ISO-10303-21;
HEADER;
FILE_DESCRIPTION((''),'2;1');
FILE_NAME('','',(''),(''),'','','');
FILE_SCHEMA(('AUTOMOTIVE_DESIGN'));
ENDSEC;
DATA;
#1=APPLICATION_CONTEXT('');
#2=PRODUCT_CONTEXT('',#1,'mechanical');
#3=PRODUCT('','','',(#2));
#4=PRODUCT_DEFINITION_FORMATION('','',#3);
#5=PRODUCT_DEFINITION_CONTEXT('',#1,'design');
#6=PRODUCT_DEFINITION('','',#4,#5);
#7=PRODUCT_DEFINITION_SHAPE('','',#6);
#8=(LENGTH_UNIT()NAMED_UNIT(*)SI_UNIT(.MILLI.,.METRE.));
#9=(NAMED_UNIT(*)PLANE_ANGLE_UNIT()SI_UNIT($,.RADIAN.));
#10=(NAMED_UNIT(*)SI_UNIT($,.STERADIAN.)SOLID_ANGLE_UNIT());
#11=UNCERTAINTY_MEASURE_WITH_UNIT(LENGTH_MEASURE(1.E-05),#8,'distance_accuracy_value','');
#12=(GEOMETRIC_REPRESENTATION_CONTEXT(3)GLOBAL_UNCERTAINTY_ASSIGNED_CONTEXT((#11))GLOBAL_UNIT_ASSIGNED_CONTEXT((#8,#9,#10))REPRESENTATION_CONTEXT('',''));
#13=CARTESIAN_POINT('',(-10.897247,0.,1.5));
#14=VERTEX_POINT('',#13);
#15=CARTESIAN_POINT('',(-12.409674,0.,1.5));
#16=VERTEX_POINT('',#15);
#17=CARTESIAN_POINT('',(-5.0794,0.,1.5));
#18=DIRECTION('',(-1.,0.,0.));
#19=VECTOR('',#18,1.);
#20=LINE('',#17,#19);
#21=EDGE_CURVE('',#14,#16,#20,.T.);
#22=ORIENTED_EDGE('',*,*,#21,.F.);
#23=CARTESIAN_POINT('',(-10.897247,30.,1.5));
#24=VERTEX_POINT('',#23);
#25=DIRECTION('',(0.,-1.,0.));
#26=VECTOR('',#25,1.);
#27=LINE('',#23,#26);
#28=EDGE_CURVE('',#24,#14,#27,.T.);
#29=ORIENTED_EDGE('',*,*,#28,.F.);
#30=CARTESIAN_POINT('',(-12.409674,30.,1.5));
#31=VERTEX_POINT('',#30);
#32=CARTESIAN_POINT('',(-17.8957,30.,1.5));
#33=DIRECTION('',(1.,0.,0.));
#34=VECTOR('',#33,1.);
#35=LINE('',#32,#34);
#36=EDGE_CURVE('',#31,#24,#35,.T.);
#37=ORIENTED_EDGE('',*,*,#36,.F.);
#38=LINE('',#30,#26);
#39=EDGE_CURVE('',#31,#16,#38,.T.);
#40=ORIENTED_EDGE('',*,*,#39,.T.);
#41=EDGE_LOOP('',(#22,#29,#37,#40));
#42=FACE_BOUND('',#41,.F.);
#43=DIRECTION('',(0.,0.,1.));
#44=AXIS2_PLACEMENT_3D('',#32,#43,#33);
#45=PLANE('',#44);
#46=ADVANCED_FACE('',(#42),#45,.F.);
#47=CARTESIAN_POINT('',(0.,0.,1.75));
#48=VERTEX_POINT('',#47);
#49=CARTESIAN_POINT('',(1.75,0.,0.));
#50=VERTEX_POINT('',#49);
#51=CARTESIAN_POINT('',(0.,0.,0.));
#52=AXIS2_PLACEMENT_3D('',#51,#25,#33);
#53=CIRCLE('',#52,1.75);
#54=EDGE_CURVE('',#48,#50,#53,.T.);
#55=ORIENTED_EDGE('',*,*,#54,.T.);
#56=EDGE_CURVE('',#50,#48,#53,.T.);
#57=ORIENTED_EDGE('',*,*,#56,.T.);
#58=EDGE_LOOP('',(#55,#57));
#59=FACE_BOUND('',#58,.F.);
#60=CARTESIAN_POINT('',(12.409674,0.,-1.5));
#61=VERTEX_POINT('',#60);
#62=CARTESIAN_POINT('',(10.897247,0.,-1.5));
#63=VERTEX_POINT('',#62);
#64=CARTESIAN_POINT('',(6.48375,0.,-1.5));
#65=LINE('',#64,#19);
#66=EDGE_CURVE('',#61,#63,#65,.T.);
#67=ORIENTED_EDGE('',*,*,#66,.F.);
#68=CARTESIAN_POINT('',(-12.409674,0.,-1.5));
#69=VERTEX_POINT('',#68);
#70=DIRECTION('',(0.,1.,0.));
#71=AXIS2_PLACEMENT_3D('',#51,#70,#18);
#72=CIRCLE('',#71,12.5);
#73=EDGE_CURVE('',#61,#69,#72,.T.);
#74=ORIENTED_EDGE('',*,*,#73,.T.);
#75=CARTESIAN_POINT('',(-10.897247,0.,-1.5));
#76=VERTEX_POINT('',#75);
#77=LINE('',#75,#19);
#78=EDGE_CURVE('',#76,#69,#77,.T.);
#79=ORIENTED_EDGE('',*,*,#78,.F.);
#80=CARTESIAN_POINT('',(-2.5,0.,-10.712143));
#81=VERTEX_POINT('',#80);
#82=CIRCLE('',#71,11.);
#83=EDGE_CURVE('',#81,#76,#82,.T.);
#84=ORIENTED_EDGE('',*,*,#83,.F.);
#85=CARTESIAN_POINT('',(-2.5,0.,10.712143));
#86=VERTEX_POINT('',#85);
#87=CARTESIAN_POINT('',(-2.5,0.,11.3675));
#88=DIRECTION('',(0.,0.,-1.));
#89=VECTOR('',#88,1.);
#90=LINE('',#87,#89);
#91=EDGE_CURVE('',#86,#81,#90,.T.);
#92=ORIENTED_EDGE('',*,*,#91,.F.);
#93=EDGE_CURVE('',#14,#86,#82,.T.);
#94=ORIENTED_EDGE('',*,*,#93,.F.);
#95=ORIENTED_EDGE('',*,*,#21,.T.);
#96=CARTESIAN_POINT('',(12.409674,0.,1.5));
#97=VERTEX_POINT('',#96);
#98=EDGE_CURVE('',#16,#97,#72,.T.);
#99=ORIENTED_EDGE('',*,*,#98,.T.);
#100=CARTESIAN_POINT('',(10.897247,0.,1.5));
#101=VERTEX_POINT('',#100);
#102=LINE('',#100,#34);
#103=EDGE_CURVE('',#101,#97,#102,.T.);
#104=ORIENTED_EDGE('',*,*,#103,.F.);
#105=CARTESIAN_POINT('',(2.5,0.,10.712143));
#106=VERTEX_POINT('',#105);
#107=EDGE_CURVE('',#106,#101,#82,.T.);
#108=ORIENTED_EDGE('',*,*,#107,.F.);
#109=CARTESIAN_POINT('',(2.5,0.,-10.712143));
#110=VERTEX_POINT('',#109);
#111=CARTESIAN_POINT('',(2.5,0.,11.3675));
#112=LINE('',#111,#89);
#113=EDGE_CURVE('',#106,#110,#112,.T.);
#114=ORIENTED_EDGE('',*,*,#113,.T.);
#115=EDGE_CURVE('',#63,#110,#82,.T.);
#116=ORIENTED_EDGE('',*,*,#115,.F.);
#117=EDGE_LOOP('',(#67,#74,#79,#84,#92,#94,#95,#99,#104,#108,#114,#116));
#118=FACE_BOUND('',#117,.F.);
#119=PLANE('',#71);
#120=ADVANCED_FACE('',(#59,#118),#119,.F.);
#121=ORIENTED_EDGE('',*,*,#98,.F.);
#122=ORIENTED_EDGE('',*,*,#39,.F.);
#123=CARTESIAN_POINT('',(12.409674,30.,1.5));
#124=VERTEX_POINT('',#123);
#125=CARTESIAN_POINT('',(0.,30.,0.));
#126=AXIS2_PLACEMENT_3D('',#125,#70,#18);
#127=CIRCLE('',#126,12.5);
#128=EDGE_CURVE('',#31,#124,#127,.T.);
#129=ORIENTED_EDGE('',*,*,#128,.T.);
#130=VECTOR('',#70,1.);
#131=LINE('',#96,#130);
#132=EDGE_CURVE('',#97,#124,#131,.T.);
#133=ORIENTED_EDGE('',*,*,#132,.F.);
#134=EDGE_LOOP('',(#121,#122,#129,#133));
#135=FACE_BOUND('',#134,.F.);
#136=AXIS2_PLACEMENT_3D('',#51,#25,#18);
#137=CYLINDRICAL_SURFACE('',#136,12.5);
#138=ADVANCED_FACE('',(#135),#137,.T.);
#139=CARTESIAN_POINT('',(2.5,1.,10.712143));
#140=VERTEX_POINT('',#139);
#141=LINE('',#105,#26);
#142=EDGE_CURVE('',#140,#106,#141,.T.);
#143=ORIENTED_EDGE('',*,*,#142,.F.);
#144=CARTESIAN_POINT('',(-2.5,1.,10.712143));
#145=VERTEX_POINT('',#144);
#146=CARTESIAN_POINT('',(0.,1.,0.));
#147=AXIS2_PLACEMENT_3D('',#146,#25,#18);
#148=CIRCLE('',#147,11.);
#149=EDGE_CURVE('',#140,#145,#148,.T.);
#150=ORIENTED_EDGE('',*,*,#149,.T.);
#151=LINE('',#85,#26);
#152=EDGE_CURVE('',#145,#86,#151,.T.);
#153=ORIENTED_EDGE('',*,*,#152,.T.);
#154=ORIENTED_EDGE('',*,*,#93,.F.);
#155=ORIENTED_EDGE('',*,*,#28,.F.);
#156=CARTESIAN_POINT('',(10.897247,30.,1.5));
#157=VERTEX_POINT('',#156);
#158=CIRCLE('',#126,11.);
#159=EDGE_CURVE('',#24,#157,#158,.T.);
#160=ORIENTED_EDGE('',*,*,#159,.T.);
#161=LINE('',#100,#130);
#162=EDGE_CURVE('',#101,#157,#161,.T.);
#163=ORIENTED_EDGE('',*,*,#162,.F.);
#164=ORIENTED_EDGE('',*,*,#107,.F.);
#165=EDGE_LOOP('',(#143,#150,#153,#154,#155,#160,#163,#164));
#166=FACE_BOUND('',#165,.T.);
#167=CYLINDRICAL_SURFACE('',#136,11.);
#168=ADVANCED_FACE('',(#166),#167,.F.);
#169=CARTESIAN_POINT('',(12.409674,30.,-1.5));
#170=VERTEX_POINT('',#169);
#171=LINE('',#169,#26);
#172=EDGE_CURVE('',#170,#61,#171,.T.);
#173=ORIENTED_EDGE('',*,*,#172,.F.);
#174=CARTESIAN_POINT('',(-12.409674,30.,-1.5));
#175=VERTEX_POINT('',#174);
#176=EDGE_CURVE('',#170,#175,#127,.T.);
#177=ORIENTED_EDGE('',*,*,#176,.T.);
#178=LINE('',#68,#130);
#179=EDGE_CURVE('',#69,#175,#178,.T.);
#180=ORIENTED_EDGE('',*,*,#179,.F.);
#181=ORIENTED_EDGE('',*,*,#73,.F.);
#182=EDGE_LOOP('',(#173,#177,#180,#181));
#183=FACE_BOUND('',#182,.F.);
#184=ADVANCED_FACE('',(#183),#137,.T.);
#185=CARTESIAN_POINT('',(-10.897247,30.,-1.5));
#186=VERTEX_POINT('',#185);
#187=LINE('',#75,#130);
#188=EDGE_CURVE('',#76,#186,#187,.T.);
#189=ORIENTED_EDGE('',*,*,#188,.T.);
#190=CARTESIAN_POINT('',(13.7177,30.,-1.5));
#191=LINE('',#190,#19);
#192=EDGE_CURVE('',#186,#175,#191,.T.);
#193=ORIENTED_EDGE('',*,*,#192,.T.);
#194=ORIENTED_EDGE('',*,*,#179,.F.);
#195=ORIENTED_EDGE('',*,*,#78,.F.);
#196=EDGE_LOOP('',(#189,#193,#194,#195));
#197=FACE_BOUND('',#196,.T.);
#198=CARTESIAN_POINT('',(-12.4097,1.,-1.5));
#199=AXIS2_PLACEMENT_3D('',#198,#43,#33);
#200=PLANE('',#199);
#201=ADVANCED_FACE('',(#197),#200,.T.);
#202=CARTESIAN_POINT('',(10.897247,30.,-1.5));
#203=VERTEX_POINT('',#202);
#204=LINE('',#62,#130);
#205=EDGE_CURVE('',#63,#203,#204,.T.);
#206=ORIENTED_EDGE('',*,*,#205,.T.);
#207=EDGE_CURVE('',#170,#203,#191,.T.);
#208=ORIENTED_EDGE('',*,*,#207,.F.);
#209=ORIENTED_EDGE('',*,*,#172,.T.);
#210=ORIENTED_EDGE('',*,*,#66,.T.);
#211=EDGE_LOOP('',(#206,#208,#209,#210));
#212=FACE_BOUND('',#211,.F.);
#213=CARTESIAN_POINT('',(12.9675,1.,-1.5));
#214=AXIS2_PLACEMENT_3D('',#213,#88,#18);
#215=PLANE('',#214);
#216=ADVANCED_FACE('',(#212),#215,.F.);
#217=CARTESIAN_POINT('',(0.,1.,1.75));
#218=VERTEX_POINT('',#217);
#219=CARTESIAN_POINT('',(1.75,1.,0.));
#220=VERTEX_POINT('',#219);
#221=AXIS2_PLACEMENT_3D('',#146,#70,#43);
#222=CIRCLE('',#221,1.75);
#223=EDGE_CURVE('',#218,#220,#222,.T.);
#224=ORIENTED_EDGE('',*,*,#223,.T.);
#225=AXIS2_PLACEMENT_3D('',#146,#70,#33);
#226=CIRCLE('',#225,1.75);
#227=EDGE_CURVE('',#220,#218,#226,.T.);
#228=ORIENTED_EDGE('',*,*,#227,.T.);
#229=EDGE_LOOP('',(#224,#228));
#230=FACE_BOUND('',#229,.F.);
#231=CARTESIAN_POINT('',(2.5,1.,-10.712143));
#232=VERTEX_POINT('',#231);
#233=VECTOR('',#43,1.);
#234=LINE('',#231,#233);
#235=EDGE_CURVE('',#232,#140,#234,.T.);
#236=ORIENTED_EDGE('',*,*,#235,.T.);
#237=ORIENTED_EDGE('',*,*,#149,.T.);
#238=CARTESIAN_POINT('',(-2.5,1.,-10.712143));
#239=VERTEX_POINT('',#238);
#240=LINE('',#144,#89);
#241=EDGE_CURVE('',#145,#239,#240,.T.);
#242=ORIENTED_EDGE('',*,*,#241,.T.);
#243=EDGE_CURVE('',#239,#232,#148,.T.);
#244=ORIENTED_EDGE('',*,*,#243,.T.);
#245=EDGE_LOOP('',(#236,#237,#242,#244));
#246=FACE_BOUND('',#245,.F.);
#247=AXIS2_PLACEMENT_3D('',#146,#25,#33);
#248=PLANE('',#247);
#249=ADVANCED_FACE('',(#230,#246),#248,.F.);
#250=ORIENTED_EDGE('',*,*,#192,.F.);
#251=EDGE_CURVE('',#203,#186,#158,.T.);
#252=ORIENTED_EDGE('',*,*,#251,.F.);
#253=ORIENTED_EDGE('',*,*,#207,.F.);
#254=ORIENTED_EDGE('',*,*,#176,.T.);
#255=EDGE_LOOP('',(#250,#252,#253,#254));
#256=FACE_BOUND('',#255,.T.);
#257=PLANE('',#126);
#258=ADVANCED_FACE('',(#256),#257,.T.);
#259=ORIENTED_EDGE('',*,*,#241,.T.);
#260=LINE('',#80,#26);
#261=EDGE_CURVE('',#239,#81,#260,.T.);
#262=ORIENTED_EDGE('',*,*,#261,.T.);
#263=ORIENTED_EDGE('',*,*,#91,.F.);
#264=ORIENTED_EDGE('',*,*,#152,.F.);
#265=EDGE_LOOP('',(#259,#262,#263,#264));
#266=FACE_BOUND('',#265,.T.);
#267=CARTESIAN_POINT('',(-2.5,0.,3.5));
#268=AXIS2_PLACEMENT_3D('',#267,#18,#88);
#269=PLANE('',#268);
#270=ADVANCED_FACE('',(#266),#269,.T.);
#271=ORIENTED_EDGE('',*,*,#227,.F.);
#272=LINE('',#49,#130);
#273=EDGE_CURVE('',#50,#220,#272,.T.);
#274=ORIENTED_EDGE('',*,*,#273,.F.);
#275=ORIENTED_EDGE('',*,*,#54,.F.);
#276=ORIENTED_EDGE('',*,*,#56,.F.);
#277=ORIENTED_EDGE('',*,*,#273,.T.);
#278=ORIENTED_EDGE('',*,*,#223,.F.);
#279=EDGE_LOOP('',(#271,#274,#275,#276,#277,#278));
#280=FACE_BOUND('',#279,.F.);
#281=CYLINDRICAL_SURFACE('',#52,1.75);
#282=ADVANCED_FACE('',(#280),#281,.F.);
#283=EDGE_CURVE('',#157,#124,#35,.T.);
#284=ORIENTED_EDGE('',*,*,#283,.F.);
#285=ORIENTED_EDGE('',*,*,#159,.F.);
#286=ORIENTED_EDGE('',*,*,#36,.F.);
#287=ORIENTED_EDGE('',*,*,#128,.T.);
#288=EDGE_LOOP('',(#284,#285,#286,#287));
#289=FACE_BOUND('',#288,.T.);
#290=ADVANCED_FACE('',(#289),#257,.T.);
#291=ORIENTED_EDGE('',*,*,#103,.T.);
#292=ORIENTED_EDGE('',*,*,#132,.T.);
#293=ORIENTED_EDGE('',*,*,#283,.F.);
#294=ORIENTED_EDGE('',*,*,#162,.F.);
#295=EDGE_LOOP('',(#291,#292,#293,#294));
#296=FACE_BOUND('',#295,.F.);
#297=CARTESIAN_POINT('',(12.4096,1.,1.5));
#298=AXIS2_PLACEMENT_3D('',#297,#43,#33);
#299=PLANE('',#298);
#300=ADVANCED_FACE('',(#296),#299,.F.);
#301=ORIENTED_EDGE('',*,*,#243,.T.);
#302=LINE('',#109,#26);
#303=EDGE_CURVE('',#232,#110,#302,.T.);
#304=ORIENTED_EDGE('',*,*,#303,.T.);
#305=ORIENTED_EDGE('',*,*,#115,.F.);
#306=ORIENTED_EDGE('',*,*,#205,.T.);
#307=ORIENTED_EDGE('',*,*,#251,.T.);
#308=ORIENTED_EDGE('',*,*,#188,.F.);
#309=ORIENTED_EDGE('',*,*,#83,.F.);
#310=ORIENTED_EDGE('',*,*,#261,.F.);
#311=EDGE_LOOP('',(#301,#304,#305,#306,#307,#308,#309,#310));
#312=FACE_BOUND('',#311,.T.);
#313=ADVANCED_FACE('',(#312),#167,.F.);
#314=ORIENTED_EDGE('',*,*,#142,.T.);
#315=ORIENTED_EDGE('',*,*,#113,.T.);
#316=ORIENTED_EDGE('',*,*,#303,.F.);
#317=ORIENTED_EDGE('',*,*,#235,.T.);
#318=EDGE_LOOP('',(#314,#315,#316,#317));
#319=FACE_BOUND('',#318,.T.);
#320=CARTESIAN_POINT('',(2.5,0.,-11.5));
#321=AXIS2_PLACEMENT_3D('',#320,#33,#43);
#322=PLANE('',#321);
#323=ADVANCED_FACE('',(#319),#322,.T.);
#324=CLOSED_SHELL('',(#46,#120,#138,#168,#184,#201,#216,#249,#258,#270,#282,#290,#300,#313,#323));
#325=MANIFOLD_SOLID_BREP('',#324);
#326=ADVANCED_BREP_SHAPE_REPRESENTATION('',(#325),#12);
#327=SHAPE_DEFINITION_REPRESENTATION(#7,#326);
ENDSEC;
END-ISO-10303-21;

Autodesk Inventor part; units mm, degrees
ref_plane "YZ Plane" through (0, 0, 0) normal (1, 0, 0) x (0, 1, 0)
ref_plane "XZ Plane" through (0, 0, 0) normal (0, 1, 0) x (-1, 0, 0)
ref_plane "XY Plane" through (0, 0, 0) normal (0, 0, 1) x (1, 0, 0)
sketch "Skizze1" plane through (0, 0, 0) normal (0, 1, 0) x (-1, 0, 0)
  circle A0 centre (0, 0) radius 12.5
  circle A1 centre (0, 0) radius 11
  dimension "d0" = 25
  dimension "d1" = 22
extrude "Extrusion1" add sketch "Skizze1" along normal blind 30
sketch "Skizze2" plane through (0, 0, 0) normal (0, -1, 0) x (1, 0, 0)
  circle A0 centre (0, 0) radius 1.75
  line L0 (0, 0) -> (0, 3.5)
  line L1 (0, 3.5) -> (2.5, 3.5)
  line L2 (2.5, 3.5) -> (-2.5, 3.5)
  line L3 (-2.5, 3.5) -> (-2.5, -11.5)
  line L4 (-2.5, -11.5) -> (2.5, -11.5)
  line L5 (2.5, -11.5) -> (2.5, 3.5)
  line L6 (2.5, 3.5) -> (-2.5, 3.5)
  line L7 (-2.5, 3.5) -> (-2.5, 11.3675)
  line L8 (-2.5, 11.3675) -> (2.5, 11.3675)
  line L9 (2.5, 11.3675) -> (2.5, 3.5)
  dimension "d7" = 3.5
  dimension "d8" = 3.5
  dimension "d9" = 2.5
  dimension "d10" = 5
  dimension "d11" = 15
extrude "Extrusion2" add sketch "Skizze2" against normal blind 1
sketch "Skizze3" plane through (0, 30, 0) normal (0, 1, 0) x (1, 0, 0)
  line L0 (-17.8957, 0) -> (-17.8957, -1.5)
  line L1 (-17.8957, -1.5) -> (13.7177, -1.5)
  line L2 (13.7177, -1.5) -> (13.7177, 1.5)
  line L3 (13.7177, 1.5) -> (-17.8957, 1.5)
  line L4 (-17.8957, 1.5) -> (-17.8957, -1.5)
  point P0 (0, 0)
  dimension "d14" = 1.5
  dimension "d15" = 3
extrude "Extrusion3" cut sketch "Skizze3" against normal up to surface (29 mm away)
sketch "Skizze4" plane through (-12.4097, 1, -1.5) normal (0, 1, 0) x (1, 0, 0)
  line L0 (0, 0) -> (1.5124, 0) projected
  line L1 (0, 0) -> (-0.8042, 0)
  line L2 (-0.8042, 0) -> (2.2509, 0)
  line L3 (2.2509, 0) -> (2.2509, -3)
  line L4 (2.2509, -3) -> (-0.8042, -3)
  line L5 (-0.8042, -3) -> (-0.8042, 0)
  point P0 (12.4097, -1.5)
  dimension "d18" = 3
extrude "Extrusion4" cut sketch "Skizze4" against normal through all
sketch "Skizze5" plane through (10.8972, 1, 1.5) normal (0, 1, 0) x (1, 0, 0)
  line L0 (0, 0) -> (1.5124, 0) projected
  line L1 (0, 0) -> (2.0703, 0)
  line L2 (2.0703, 0) -> (2.0703, 3)
  line L3 (2.0703, 3) -> (0, 3)
  line L4 (0, 3) -> (0, 0)
  point P0 (-10.8972, 1.5)
  dimension "d24" = 3
extrude "Extrusion5" cut sketch "Skizze5" against normal blind 10
properties part number "CatcherModel"
